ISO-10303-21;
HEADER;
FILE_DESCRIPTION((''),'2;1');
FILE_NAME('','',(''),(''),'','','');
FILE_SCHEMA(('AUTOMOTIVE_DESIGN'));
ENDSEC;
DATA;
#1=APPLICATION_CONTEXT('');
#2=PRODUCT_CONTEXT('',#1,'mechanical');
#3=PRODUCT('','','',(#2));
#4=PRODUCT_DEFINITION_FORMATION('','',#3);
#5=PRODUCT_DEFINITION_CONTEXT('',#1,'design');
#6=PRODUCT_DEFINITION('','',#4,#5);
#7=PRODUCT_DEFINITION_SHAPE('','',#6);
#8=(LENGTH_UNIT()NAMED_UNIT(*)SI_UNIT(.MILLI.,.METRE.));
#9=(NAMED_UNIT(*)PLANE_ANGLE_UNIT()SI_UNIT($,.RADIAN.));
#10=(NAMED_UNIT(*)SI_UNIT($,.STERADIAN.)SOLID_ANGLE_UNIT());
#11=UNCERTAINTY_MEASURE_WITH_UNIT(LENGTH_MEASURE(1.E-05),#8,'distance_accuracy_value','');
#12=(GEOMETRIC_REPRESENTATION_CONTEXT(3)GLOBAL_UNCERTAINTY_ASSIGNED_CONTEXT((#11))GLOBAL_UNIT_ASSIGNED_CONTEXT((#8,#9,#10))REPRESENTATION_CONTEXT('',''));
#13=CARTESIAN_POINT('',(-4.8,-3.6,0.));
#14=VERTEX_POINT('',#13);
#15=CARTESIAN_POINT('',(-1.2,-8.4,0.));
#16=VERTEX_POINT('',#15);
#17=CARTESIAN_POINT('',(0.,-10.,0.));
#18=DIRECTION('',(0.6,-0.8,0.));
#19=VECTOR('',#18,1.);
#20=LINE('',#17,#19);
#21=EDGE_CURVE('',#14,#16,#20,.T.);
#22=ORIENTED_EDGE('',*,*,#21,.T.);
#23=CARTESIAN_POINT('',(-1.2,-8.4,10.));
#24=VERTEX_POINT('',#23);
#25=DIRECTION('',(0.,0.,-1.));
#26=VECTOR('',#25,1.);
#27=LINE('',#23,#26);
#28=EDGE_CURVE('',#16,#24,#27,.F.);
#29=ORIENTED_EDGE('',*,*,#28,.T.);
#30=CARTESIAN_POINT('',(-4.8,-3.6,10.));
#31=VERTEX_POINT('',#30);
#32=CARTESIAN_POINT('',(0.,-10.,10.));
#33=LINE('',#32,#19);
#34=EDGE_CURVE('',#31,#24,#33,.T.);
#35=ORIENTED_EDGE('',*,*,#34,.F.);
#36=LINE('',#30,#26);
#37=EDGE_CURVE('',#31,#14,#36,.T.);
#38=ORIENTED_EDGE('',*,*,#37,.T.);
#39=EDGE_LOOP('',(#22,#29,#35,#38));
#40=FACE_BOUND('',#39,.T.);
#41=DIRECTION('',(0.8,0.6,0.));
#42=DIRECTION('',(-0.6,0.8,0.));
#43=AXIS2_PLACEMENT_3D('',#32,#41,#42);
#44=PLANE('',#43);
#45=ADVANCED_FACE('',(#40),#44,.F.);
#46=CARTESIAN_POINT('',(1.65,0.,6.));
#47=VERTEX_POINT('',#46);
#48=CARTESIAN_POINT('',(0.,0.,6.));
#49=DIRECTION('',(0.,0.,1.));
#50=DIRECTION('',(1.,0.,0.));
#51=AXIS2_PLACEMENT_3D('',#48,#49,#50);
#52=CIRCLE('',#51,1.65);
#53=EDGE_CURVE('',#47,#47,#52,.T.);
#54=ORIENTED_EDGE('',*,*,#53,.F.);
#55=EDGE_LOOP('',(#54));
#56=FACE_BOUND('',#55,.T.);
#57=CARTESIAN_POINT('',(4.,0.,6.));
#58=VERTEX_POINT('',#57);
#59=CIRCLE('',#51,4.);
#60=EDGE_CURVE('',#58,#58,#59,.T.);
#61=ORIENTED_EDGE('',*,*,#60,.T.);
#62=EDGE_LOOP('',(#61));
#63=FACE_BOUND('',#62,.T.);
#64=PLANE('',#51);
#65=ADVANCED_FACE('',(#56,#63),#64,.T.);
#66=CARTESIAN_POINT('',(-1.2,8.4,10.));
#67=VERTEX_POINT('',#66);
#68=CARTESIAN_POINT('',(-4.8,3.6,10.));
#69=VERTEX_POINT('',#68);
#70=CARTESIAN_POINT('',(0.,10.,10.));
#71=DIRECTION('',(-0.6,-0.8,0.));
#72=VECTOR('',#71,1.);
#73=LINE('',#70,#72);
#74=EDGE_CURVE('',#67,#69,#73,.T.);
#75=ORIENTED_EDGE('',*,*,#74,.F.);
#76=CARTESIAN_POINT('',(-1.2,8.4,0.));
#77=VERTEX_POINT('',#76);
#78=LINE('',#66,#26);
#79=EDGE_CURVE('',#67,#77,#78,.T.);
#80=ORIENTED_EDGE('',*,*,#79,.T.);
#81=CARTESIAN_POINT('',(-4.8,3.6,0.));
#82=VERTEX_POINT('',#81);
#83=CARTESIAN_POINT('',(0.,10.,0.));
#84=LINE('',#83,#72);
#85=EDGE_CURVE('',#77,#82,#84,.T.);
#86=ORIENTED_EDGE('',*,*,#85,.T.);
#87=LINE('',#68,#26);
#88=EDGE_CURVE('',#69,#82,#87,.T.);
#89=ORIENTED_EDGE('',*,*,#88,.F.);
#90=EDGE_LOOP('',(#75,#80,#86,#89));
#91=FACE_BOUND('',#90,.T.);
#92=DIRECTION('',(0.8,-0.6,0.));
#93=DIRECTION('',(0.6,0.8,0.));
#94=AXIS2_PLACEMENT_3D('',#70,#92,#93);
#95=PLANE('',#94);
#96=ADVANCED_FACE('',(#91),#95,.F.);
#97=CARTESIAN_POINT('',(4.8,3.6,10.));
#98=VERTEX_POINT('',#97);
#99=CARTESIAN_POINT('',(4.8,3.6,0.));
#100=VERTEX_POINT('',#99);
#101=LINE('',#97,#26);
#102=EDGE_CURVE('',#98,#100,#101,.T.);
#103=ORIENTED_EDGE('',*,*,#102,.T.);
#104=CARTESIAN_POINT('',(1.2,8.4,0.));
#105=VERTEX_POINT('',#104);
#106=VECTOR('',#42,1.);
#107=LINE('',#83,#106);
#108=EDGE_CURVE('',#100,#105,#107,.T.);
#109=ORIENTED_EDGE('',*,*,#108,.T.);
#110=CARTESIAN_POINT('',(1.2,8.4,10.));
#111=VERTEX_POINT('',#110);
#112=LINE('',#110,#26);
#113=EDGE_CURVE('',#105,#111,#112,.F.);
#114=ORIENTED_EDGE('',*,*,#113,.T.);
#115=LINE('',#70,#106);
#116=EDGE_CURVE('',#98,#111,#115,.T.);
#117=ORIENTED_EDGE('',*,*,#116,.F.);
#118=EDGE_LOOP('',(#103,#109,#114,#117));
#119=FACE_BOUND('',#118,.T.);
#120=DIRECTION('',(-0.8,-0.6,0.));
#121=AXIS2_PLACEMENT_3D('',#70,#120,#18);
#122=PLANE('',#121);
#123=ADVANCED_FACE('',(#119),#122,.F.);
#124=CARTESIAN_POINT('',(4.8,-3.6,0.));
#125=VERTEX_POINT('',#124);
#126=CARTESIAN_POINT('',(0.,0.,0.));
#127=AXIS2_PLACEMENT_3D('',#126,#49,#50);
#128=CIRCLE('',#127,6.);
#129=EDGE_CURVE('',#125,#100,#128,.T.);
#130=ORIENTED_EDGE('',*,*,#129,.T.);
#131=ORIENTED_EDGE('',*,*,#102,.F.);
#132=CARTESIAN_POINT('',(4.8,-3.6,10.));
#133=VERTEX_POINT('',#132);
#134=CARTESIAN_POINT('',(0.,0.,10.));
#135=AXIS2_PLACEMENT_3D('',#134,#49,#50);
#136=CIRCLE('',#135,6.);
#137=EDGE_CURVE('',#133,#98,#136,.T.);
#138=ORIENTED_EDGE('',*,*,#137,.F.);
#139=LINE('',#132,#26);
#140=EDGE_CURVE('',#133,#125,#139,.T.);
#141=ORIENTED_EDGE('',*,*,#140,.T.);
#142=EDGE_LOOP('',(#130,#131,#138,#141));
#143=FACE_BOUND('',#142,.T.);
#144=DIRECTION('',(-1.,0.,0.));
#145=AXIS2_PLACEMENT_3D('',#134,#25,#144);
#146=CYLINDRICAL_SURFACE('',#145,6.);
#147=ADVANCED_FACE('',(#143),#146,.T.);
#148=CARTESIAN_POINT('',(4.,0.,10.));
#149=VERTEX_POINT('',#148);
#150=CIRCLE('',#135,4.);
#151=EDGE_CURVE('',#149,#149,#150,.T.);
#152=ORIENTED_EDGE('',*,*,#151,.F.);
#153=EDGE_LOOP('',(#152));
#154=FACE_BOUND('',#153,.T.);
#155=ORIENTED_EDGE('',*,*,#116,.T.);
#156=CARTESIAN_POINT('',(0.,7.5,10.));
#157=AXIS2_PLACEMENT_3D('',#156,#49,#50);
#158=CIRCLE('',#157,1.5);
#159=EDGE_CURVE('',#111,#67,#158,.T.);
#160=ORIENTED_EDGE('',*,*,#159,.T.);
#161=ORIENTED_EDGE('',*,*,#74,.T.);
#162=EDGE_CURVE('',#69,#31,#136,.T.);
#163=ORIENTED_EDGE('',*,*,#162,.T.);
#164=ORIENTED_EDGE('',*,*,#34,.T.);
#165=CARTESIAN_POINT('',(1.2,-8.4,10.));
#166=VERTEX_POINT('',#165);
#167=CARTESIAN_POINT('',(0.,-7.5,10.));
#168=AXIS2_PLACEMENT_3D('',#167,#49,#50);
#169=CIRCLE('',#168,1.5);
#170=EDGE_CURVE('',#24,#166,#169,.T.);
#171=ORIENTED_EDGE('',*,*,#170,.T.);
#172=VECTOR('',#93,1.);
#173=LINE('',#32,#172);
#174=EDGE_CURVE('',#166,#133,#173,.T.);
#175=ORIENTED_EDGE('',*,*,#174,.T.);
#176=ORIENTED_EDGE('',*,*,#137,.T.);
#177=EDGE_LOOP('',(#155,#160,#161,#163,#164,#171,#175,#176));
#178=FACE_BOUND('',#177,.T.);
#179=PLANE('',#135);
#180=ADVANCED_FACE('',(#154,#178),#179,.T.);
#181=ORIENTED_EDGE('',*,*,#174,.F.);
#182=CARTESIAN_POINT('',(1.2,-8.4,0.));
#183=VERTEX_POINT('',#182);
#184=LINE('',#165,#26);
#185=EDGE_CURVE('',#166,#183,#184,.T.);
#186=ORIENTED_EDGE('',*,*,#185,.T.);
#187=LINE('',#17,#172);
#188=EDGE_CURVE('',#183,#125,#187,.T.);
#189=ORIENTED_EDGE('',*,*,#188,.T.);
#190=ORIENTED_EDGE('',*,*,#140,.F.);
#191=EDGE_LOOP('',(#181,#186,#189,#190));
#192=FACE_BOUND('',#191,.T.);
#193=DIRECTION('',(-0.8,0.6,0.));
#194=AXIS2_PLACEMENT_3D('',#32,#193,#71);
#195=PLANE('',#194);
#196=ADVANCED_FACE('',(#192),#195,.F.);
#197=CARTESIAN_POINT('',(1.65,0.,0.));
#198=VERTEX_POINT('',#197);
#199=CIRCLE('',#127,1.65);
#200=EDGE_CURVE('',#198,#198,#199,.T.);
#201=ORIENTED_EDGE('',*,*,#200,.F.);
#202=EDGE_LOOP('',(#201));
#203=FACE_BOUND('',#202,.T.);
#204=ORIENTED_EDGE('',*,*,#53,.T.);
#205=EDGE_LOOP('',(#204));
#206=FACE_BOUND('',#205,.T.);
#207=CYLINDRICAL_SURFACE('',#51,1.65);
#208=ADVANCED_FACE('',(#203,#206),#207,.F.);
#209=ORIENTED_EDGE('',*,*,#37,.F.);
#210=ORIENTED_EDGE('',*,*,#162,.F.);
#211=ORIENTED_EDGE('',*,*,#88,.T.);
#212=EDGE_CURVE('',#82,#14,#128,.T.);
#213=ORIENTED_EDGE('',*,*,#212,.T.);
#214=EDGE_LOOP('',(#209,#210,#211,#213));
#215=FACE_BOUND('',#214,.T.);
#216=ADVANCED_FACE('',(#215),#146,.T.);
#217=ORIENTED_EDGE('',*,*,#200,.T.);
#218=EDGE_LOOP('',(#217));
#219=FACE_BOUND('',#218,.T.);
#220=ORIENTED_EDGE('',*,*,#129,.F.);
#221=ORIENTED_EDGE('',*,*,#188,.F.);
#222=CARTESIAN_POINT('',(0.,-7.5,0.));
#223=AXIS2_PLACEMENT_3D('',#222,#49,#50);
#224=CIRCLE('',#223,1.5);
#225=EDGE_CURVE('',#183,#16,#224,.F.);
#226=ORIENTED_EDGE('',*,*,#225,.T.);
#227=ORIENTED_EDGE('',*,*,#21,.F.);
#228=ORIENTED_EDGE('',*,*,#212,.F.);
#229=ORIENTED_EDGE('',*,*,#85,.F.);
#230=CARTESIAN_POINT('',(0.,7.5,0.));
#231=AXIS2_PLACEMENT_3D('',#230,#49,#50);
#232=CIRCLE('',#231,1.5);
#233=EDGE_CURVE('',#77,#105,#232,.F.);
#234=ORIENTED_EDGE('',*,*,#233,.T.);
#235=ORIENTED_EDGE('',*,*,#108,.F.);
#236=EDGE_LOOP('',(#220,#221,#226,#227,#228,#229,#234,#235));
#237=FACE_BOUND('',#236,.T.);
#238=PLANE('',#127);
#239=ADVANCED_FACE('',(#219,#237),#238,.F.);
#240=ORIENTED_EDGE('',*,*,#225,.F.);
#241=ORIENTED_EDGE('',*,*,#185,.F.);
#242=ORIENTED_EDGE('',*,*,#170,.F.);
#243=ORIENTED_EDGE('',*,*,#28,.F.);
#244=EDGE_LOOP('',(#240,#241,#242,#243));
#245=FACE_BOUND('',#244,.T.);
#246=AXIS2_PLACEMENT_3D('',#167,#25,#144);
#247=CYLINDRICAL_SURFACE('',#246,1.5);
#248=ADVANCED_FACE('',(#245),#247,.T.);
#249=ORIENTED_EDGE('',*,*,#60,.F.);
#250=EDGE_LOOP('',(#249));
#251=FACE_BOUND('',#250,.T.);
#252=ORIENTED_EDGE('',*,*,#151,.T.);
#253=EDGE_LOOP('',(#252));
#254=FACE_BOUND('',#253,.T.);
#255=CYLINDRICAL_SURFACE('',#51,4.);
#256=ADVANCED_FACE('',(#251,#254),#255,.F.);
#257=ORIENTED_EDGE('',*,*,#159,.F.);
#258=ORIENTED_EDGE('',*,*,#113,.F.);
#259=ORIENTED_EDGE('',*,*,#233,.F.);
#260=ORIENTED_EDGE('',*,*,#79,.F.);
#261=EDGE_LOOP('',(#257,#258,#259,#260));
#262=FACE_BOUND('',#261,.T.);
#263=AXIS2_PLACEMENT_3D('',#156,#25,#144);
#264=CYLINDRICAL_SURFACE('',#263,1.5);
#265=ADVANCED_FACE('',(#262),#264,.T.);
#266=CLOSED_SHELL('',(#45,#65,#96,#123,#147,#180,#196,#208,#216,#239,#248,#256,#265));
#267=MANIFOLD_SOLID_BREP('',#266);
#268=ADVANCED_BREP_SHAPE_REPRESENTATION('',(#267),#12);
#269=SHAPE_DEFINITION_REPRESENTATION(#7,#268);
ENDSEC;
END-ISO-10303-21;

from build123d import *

# Parameters (mm, degrees)
EXTRUDE_1_DEPTH     = 10
SKETCH_2_R          = 4
CUT_EXTRUDE_1_DEPTH = 4
M4X0_71_D           = 3.3
FILLET_1_R          = 1.5


with BuildPart() as part:
    # Эскиз1 → Бобышка-Вытянуть1 (new body)
    with BuildSketch(Plane.XY):
        with BuildLine():
            Line((0, 10), (-4.8, 3.6))
            ThreePointArc((-4.8, 3.6), (-6, 0), (-4.8, -3.6))
            Line((-4.8, -3.6), (0, -10))
            Line((0, -10), (4.8, -3.6))
            ThreePointArc((4.8, -3.6), (6, 0), (4.8, 3.6))
            Line((4.8, 3.6), (0, 10))
        make_face()
    extrude(amount=EXTRUDE_1_DEPTH)

    # Эскиз2 → Вырез-Вытянуть1 (cut)
    with BuildSketch(Plane.XY.offset(10)):
        Circle(SKETCH_2_R)
    extrude(amount=-CUT_EXTRUDE_1_DEPTH, mode=Mode.SUBTRACT)

    # Отверстие обработанное метчиком M4x0.71 (through all)
    with Locations(Plane.XY.offset(6)):
        with Locations((0, 0)):
            Hole(M4X0_71_D / 2)

    # Скругление1
    fillet_1_edges = [part.edges().sort_by_distance(p)[0] for p in [
        (0, -10, 5),
        (0, 10, 5),
    ]]
    fillet(fillet_1_edges, radius=FILLET_1_R)


solid = part.part
